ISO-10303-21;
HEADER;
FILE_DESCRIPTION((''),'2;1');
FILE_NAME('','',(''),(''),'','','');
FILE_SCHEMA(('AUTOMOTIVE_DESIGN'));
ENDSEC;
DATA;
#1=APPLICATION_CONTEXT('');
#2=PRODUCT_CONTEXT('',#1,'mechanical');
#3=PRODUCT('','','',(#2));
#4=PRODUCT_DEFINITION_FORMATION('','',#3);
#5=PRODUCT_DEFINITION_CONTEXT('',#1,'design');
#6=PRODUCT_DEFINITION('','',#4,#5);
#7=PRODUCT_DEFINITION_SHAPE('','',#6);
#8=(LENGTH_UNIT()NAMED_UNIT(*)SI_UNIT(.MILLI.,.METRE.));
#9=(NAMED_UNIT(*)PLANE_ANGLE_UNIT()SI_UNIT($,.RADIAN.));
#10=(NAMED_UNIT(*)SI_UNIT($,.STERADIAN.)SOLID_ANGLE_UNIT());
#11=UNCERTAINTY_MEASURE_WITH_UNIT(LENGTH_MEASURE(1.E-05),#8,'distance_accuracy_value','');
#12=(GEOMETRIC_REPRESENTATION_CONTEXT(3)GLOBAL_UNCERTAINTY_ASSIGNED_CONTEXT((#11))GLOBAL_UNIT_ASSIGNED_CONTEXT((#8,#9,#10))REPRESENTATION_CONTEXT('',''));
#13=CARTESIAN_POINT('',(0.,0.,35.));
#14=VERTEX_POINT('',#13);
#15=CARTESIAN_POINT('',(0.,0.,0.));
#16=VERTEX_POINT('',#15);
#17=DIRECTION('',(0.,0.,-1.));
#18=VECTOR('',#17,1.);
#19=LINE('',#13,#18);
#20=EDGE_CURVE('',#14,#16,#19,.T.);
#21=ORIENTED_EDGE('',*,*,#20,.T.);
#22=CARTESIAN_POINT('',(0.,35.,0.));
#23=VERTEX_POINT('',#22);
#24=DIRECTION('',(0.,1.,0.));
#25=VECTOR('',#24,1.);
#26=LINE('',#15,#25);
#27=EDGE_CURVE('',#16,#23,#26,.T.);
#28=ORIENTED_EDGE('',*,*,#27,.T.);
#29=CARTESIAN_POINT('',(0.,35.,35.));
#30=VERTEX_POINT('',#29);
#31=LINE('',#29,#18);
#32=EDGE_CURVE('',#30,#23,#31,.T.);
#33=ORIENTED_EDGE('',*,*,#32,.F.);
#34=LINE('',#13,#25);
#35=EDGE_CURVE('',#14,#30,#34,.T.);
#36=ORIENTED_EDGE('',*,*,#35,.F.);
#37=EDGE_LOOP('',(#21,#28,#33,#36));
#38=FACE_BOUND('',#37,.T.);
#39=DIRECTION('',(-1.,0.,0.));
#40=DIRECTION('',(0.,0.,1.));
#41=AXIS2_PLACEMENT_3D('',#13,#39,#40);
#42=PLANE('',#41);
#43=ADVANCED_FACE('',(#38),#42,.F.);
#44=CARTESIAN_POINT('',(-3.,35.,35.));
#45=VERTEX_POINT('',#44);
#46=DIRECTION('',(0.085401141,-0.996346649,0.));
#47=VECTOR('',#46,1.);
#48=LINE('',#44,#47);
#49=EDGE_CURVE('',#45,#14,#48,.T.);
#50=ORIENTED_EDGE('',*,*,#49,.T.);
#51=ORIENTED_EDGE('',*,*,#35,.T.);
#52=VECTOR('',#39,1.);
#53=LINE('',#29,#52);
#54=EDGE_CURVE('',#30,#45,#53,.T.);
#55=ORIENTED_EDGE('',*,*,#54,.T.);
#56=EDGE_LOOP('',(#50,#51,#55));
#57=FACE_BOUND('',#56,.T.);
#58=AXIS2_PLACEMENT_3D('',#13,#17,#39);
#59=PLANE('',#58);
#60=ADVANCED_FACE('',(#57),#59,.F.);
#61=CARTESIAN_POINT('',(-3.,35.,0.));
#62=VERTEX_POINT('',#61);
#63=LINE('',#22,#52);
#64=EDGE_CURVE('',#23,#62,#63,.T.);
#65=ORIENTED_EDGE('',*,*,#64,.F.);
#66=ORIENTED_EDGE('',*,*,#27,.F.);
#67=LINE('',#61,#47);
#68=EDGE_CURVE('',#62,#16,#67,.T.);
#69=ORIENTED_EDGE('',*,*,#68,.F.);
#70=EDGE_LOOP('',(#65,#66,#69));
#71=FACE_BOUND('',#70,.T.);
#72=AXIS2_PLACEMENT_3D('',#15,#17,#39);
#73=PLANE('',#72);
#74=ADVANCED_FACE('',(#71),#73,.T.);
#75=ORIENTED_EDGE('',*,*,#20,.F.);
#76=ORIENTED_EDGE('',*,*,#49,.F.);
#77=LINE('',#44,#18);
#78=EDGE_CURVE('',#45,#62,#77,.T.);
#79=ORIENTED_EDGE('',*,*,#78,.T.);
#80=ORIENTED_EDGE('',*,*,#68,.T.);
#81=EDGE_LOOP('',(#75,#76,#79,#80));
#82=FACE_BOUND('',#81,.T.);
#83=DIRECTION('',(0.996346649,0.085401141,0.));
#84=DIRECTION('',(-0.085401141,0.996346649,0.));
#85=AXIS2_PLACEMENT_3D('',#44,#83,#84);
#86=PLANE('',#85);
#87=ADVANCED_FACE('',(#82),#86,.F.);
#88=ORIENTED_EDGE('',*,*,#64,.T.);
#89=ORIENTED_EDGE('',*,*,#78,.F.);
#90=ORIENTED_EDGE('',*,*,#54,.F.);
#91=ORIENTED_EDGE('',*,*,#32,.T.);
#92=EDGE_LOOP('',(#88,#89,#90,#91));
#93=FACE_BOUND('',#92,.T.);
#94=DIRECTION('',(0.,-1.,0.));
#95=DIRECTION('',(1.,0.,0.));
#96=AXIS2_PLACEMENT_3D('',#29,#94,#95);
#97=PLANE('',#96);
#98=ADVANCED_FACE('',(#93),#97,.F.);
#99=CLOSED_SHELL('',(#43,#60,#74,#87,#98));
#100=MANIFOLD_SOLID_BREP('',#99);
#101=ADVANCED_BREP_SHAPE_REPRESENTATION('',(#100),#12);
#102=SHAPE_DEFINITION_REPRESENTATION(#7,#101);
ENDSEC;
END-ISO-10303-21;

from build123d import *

# Parameters (mm, degrees)
BOSS_EXTRUDE1_DEPTH = 35


with BuildPart() as part:
    # Sketch1 → Boss-Extrude1 (new body)
    with BuildSketch(Plane.XY):
        Polygon((0, 0), (0, 35), (-3, 35), align=None)
    extrude(amount=BOSS_EXTRUDE1_DEPTH)


solid = part.part
